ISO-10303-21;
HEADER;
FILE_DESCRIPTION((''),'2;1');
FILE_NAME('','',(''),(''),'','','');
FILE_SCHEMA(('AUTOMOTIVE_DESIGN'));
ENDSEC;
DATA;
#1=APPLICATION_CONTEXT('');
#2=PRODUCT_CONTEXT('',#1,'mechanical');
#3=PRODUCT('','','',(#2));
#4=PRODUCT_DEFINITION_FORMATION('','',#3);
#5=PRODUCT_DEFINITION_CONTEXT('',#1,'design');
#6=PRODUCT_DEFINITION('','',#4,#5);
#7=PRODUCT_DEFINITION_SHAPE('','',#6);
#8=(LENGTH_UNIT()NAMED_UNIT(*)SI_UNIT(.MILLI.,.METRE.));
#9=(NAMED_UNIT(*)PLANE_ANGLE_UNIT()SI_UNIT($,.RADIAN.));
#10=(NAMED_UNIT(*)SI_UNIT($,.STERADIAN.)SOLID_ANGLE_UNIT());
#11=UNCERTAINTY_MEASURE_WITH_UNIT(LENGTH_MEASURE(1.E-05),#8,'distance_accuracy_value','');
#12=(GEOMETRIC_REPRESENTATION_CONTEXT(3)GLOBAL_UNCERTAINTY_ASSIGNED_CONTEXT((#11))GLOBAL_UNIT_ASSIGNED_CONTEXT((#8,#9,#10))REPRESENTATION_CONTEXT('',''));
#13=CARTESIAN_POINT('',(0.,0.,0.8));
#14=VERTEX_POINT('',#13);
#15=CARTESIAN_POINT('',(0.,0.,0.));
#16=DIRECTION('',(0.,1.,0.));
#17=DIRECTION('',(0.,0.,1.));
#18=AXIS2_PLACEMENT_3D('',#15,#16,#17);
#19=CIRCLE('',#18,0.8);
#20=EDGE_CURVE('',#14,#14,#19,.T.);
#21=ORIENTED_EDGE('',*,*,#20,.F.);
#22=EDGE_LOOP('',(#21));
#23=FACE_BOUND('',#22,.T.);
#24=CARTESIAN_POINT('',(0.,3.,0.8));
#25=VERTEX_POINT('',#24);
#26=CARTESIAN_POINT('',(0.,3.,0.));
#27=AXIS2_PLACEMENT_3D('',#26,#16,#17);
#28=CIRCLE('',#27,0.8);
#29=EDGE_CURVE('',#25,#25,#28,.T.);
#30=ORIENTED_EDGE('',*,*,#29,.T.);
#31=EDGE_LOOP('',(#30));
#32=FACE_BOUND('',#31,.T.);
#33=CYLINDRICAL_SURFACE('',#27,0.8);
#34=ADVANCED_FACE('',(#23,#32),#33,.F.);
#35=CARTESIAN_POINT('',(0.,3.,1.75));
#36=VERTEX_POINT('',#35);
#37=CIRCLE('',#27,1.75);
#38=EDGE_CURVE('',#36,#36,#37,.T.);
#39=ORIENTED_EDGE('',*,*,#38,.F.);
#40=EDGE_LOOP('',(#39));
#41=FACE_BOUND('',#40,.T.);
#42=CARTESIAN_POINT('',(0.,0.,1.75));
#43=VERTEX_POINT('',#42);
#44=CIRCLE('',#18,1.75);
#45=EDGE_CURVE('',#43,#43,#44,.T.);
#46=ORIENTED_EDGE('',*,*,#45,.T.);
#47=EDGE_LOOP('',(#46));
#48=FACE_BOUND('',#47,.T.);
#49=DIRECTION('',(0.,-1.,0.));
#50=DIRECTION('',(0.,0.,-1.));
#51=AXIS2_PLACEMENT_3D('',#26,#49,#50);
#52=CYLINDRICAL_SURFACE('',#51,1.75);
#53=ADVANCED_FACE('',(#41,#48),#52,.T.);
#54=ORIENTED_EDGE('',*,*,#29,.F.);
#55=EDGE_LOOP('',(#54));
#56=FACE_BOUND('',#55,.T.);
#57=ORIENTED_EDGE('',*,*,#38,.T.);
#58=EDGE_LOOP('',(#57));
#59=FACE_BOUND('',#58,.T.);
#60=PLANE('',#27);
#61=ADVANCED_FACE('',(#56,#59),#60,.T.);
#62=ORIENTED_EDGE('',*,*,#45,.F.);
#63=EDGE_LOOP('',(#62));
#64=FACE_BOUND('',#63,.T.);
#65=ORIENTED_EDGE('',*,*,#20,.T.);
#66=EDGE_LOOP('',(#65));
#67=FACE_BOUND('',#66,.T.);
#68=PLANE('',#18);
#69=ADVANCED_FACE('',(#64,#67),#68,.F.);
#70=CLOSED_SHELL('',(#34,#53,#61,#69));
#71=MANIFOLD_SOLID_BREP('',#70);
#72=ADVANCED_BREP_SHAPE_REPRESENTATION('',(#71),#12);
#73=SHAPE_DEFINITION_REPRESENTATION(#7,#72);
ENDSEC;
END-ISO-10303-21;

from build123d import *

# Parameters (mm, degrees)
SKETCH_1_R        = 1.75
EXTRUDE_1_DEPTH   = 3
HOLE_WIZARD_M21_D = 1.6


with BuildPart() as part:
    # Эскиз1 → Бобышка-Вытянуть1 (new body)
    with BuildSketch(Plane(origin=(0, 0, 0), x_dir=(1, 0, 0), z_dir=(0, 1, 0))):
        with Locations(Location((0, 0, 0), (0, 0, 270))):
            Circle(SKETCH_1_R)
    extrude(amount=EXTRUDE_1_DEPTH)

    # Отверстие обработанное метчиком M21 (through all)
    with Locations(Plane(origin=(0, 3, 0), x_dir=(1, 0, 0), z_dir=(0, 1, 0))):
        with Locations((0, 0)):
            Hole(HOLE_WIZARD_M21_D / 2)


solid = part.part
